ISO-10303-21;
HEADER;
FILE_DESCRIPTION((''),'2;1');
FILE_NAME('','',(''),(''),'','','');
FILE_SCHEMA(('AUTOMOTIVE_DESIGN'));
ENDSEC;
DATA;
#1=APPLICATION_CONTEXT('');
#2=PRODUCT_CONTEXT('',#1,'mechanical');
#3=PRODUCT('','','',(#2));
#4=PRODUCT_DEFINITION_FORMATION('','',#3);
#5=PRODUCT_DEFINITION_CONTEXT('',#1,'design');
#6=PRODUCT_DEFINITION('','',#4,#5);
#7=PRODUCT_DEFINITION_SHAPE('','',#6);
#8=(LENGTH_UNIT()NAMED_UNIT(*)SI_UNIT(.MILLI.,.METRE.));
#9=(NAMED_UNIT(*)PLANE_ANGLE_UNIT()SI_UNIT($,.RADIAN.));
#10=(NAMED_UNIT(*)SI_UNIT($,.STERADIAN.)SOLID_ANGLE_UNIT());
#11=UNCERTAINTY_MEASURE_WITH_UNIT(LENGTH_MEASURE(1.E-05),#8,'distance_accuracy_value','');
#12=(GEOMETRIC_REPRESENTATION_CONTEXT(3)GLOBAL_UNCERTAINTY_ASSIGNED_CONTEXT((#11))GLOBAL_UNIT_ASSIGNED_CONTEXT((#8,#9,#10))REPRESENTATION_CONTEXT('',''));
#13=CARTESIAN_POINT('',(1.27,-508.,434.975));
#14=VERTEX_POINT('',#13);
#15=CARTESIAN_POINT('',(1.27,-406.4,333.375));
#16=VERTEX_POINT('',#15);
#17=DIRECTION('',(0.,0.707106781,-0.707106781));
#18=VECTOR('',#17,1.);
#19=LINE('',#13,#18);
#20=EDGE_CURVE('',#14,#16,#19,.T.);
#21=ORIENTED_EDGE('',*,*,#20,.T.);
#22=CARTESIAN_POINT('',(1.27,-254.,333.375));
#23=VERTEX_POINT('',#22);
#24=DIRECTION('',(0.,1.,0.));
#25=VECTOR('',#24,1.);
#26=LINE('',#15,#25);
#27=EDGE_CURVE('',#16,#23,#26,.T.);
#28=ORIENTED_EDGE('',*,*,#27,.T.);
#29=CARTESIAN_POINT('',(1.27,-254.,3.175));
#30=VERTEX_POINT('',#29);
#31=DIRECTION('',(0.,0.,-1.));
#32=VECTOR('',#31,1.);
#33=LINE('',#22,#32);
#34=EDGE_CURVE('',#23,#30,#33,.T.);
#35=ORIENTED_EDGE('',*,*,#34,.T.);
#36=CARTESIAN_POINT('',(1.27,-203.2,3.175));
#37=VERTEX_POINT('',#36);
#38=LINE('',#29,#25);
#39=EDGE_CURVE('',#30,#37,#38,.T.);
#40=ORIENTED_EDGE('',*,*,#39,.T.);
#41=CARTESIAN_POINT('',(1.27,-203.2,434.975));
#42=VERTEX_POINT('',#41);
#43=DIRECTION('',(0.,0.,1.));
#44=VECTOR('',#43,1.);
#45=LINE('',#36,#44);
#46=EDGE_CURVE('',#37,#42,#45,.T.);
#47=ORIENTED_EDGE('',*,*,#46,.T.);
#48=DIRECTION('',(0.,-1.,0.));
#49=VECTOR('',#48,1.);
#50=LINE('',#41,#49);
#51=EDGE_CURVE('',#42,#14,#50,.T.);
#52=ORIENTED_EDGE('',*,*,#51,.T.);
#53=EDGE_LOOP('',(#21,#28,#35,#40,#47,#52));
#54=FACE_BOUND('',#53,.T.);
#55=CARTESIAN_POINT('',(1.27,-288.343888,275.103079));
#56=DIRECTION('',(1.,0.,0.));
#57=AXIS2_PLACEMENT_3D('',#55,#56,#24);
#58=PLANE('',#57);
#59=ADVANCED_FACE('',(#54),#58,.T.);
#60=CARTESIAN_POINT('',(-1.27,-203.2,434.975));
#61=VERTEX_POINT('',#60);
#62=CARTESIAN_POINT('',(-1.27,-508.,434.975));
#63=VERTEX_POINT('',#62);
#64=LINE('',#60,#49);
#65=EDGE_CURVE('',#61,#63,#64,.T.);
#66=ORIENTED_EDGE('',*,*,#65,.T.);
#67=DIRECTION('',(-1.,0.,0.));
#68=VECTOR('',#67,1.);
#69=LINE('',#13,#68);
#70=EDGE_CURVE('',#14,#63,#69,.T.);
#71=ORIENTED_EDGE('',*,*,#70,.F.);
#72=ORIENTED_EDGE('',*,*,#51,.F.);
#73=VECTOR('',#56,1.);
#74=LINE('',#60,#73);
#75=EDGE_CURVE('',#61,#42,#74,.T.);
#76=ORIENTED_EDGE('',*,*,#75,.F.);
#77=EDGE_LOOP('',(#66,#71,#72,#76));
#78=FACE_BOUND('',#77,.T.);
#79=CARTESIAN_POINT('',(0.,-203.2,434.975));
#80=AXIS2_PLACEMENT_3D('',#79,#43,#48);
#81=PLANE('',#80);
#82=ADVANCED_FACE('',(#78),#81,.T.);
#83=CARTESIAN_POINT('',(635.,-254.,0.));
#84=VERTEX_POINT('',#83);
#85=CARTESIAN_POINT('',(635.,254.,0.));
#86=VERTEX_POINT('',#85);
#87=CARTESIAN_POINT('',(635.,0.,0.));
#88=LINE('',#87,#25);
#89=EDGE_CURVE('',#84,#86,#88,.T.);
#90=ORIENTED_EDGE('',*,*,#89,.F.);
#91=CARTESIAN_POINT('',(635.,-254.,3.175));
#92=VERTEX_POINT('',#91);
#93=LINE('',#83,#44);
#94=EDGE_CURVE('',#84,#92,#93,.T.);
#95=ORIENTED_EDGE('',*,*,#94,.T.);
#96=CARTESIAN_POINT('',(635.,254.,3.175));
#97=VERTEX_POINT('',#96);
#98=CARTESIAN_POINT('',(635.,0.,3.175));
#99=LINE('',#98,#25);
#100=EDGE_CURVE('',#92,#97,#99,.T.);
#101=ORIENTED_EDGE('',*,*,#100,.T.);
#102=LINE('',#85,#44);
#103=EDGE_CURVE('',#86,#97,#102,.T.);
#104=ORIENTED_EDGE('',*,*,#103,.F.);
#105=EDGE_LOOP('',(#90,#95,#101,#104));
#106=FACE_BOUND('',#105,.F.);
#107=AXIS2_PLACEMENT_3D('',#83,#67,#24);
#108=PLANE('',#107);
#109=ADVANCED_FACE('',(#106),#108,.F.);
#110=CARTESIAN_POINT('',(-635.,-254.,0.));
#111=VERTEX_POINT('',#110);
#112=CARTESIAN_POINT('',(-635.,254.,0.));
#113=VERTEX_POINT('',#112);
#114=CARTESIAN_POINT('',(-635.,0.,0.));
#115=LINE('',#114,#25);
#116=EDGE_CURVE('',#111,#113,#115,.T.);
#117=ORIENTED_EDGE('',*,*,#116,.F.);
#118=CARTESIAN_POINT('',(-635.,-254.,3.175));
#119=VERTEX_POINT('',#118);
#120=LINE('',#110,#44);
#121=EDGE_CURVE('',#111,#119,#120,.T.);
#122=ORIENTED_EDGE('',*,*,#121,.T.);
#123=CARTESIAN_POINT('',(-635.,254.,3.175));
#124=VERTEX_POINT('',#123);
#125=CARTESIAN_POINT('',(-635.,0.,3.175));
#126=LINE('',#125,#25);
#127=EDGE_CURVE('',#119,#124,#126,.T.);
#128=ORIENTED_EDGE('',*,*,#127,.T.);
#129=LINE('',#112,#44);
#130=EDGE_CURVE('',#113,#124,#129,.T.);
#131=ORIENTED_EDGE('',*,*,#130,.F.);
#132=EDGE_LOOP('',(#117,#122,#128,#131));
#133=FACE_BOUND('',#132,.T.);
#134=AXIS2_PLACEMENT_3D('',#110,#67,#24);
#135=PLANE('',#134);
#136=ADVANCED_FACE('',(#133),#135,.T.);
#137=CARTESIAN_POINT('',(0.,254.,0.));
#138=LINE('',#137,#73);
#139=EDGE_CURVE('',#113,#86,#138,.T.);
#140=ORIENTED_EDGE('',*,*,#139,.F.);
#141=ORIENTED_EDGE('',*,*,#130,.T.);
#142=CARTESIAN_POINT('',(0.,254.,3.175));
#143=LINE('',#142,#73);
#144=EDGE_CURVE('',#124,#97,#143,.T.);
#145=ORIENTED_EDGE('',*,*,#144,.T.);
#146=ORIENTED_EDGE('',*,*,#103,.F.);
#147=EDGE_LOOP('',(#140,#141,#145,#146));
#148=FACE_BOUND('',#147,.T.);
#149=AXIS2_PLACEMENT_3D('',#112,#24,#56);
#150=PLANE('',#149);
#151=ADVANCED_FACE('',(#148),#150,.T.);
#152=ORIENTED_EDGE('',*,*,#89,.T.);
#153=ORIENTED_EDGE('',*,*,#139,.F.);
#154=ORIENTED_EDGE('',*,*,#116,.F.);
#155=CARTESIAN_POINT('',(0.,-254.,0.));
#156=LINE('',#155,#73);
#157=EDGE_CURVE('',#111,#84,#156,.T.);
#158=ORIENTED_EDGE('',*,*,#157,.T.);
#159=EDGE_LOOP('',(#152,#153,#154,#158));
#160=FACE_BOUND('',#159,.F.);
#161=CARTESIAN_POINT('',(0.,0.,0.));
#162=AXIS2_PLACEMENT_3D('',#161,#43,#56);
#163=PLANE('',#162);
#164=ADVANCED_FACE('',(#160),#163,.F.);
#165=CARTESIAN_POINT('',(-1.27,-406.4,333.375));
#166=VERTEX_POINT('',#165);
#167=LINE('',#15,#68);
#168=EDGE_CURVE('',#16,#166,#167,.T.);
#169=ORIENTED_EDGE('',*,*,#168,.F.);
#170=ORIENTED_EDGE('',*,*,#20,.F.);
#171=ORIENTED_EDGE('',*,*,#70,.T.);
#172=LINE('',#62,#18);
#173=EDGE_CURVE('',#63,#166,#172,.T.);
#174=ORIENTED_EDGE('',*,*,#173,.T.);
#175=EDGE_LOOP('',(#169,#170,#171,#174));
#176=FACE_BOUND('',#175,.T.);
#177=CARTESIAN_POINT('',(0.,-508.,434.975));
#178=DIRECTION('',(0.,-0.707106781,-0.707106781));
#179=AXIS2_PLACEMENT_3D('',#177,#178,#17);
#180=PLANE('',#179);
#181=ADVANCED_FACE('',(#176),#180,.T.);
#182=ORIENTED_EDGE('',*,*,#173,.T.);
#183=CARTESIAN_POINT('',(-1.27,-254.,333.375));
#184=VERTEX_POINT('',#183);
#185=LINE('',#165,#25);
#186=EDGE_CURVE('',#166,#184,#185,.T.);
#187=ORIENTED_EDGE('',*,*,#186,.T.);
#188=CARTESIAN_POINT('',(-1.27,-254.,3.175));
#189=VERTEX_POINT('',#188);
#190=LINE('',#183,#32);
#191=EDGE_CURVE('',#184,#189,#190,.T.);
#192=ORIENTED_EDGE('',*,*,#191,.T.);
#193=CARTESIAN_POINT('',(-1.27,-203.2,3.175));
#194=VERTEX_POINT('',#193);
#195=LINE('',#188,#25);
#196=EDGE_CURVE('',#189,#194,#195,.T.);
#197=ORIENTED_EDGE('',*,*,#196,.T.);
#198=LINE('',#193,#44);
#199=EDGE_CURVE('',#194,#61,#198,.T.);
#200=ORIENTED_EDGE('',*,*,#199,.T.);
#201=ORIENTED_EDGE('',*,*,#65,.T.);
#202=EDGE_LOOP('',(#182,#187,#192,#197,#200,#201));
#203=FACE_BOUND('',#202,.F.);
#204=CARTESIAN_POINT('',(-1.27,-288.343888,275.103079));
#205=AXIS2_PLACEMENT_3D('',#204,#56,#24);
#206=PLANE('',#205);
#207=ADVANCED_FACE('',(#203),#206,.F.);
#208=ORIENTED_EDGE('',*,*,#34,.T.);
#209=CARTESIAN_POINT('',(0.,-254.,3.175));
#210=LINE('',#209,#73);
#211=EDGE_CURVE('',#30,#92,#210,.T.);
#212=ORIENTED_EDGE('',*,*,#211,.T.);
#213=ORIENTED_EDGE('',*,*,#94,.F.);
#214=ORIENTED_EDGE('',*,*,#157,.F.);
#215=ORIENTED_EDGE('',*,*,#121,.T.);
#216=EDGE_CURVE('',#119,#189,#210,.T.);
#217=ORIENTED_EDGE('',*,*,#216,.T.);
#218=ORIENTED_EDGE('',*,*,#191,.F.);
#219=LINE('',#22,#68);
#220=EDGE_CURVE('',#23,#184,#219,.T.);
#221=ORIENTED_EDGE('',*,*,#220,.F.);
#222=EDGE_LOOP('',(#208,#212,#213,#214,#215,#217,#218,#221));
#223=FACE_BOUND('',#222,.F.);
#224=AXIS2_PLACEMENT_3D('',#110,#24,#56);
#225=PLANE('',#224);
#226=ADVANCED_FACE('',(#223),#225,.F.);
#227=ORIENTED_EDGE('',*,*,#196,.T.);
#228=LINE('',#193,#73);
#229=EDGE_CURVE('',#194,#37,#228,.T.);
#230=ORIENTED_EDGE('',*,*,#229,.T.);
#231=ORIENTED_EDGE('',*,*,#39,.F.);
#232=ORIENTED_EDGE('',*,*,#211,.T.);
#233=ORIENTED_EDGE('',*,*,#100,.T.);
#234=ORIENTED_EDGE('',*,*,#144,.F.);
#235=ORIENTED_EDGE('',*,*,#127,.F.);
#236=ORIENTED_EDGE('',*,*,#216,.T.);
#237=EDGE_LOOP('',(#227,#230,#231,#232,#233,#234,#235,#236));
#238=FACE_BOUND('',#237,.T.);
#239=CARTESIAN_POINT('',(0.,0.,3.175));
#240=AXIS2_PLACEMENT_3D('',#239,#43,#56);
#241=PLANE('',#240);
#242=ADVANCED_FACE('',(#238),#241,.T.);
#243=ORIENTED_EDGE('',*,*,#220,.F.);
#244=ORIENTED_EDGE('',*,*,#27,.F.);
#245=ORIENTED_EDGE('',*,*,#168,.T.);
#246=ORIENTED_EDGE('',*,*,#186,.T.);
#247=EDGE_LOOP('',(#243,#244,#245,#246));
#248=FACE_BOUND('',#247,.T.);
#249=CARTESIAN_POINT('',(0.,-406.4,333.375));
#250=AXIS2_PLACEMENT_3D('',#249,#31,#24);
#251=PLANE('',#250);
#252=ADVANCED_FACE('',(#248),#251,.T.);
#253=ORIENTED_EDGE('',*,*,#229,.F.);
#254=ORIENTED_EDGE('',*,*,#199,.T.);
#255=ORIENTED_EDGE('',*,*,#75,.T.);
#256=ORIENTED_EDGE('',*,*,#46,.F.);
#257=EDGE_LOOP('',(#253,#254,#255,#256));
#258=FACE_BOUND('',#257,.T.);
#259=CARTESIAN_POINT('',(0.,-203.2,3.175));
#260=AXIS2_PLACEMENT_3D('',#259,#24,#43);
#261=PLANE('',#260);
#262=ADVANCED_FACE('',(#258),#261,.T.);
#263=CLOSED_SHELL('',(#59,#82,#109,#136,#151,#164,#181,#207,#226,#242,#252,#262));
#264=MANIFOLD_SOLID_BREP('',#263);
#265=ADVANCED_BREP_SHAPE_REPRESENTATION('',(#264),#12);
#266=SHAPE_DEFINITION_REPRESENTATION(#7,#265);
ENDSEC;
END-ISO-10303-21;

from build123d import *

# Parameters (mm, degrees)
F0_W     = 1270
F0_H     = 508
F1_DEPTH = 3.175
F3_DEPTH = 1.27


with BuildPart() as f1:
    # F0 (on Top) → F1 (new body)
    with BuildSketch(Plane.XY):
        Rectangle(F0_W, F0_H)
    extrude(amount=F1_DEPTH)

    # F2 (on Right) → F3 (join, symmetric)
    with BuildSketch(Plane.YZ):
        Polygon((-254, 333.375), (-254, 3.175), (-203.2, 3.175), (-203.2, 434.975), (-508, 434.975), (-406.4, 333.375), align=None)
    extrude(amount=F3_DEPTH, both=True)


solid = f1.part
